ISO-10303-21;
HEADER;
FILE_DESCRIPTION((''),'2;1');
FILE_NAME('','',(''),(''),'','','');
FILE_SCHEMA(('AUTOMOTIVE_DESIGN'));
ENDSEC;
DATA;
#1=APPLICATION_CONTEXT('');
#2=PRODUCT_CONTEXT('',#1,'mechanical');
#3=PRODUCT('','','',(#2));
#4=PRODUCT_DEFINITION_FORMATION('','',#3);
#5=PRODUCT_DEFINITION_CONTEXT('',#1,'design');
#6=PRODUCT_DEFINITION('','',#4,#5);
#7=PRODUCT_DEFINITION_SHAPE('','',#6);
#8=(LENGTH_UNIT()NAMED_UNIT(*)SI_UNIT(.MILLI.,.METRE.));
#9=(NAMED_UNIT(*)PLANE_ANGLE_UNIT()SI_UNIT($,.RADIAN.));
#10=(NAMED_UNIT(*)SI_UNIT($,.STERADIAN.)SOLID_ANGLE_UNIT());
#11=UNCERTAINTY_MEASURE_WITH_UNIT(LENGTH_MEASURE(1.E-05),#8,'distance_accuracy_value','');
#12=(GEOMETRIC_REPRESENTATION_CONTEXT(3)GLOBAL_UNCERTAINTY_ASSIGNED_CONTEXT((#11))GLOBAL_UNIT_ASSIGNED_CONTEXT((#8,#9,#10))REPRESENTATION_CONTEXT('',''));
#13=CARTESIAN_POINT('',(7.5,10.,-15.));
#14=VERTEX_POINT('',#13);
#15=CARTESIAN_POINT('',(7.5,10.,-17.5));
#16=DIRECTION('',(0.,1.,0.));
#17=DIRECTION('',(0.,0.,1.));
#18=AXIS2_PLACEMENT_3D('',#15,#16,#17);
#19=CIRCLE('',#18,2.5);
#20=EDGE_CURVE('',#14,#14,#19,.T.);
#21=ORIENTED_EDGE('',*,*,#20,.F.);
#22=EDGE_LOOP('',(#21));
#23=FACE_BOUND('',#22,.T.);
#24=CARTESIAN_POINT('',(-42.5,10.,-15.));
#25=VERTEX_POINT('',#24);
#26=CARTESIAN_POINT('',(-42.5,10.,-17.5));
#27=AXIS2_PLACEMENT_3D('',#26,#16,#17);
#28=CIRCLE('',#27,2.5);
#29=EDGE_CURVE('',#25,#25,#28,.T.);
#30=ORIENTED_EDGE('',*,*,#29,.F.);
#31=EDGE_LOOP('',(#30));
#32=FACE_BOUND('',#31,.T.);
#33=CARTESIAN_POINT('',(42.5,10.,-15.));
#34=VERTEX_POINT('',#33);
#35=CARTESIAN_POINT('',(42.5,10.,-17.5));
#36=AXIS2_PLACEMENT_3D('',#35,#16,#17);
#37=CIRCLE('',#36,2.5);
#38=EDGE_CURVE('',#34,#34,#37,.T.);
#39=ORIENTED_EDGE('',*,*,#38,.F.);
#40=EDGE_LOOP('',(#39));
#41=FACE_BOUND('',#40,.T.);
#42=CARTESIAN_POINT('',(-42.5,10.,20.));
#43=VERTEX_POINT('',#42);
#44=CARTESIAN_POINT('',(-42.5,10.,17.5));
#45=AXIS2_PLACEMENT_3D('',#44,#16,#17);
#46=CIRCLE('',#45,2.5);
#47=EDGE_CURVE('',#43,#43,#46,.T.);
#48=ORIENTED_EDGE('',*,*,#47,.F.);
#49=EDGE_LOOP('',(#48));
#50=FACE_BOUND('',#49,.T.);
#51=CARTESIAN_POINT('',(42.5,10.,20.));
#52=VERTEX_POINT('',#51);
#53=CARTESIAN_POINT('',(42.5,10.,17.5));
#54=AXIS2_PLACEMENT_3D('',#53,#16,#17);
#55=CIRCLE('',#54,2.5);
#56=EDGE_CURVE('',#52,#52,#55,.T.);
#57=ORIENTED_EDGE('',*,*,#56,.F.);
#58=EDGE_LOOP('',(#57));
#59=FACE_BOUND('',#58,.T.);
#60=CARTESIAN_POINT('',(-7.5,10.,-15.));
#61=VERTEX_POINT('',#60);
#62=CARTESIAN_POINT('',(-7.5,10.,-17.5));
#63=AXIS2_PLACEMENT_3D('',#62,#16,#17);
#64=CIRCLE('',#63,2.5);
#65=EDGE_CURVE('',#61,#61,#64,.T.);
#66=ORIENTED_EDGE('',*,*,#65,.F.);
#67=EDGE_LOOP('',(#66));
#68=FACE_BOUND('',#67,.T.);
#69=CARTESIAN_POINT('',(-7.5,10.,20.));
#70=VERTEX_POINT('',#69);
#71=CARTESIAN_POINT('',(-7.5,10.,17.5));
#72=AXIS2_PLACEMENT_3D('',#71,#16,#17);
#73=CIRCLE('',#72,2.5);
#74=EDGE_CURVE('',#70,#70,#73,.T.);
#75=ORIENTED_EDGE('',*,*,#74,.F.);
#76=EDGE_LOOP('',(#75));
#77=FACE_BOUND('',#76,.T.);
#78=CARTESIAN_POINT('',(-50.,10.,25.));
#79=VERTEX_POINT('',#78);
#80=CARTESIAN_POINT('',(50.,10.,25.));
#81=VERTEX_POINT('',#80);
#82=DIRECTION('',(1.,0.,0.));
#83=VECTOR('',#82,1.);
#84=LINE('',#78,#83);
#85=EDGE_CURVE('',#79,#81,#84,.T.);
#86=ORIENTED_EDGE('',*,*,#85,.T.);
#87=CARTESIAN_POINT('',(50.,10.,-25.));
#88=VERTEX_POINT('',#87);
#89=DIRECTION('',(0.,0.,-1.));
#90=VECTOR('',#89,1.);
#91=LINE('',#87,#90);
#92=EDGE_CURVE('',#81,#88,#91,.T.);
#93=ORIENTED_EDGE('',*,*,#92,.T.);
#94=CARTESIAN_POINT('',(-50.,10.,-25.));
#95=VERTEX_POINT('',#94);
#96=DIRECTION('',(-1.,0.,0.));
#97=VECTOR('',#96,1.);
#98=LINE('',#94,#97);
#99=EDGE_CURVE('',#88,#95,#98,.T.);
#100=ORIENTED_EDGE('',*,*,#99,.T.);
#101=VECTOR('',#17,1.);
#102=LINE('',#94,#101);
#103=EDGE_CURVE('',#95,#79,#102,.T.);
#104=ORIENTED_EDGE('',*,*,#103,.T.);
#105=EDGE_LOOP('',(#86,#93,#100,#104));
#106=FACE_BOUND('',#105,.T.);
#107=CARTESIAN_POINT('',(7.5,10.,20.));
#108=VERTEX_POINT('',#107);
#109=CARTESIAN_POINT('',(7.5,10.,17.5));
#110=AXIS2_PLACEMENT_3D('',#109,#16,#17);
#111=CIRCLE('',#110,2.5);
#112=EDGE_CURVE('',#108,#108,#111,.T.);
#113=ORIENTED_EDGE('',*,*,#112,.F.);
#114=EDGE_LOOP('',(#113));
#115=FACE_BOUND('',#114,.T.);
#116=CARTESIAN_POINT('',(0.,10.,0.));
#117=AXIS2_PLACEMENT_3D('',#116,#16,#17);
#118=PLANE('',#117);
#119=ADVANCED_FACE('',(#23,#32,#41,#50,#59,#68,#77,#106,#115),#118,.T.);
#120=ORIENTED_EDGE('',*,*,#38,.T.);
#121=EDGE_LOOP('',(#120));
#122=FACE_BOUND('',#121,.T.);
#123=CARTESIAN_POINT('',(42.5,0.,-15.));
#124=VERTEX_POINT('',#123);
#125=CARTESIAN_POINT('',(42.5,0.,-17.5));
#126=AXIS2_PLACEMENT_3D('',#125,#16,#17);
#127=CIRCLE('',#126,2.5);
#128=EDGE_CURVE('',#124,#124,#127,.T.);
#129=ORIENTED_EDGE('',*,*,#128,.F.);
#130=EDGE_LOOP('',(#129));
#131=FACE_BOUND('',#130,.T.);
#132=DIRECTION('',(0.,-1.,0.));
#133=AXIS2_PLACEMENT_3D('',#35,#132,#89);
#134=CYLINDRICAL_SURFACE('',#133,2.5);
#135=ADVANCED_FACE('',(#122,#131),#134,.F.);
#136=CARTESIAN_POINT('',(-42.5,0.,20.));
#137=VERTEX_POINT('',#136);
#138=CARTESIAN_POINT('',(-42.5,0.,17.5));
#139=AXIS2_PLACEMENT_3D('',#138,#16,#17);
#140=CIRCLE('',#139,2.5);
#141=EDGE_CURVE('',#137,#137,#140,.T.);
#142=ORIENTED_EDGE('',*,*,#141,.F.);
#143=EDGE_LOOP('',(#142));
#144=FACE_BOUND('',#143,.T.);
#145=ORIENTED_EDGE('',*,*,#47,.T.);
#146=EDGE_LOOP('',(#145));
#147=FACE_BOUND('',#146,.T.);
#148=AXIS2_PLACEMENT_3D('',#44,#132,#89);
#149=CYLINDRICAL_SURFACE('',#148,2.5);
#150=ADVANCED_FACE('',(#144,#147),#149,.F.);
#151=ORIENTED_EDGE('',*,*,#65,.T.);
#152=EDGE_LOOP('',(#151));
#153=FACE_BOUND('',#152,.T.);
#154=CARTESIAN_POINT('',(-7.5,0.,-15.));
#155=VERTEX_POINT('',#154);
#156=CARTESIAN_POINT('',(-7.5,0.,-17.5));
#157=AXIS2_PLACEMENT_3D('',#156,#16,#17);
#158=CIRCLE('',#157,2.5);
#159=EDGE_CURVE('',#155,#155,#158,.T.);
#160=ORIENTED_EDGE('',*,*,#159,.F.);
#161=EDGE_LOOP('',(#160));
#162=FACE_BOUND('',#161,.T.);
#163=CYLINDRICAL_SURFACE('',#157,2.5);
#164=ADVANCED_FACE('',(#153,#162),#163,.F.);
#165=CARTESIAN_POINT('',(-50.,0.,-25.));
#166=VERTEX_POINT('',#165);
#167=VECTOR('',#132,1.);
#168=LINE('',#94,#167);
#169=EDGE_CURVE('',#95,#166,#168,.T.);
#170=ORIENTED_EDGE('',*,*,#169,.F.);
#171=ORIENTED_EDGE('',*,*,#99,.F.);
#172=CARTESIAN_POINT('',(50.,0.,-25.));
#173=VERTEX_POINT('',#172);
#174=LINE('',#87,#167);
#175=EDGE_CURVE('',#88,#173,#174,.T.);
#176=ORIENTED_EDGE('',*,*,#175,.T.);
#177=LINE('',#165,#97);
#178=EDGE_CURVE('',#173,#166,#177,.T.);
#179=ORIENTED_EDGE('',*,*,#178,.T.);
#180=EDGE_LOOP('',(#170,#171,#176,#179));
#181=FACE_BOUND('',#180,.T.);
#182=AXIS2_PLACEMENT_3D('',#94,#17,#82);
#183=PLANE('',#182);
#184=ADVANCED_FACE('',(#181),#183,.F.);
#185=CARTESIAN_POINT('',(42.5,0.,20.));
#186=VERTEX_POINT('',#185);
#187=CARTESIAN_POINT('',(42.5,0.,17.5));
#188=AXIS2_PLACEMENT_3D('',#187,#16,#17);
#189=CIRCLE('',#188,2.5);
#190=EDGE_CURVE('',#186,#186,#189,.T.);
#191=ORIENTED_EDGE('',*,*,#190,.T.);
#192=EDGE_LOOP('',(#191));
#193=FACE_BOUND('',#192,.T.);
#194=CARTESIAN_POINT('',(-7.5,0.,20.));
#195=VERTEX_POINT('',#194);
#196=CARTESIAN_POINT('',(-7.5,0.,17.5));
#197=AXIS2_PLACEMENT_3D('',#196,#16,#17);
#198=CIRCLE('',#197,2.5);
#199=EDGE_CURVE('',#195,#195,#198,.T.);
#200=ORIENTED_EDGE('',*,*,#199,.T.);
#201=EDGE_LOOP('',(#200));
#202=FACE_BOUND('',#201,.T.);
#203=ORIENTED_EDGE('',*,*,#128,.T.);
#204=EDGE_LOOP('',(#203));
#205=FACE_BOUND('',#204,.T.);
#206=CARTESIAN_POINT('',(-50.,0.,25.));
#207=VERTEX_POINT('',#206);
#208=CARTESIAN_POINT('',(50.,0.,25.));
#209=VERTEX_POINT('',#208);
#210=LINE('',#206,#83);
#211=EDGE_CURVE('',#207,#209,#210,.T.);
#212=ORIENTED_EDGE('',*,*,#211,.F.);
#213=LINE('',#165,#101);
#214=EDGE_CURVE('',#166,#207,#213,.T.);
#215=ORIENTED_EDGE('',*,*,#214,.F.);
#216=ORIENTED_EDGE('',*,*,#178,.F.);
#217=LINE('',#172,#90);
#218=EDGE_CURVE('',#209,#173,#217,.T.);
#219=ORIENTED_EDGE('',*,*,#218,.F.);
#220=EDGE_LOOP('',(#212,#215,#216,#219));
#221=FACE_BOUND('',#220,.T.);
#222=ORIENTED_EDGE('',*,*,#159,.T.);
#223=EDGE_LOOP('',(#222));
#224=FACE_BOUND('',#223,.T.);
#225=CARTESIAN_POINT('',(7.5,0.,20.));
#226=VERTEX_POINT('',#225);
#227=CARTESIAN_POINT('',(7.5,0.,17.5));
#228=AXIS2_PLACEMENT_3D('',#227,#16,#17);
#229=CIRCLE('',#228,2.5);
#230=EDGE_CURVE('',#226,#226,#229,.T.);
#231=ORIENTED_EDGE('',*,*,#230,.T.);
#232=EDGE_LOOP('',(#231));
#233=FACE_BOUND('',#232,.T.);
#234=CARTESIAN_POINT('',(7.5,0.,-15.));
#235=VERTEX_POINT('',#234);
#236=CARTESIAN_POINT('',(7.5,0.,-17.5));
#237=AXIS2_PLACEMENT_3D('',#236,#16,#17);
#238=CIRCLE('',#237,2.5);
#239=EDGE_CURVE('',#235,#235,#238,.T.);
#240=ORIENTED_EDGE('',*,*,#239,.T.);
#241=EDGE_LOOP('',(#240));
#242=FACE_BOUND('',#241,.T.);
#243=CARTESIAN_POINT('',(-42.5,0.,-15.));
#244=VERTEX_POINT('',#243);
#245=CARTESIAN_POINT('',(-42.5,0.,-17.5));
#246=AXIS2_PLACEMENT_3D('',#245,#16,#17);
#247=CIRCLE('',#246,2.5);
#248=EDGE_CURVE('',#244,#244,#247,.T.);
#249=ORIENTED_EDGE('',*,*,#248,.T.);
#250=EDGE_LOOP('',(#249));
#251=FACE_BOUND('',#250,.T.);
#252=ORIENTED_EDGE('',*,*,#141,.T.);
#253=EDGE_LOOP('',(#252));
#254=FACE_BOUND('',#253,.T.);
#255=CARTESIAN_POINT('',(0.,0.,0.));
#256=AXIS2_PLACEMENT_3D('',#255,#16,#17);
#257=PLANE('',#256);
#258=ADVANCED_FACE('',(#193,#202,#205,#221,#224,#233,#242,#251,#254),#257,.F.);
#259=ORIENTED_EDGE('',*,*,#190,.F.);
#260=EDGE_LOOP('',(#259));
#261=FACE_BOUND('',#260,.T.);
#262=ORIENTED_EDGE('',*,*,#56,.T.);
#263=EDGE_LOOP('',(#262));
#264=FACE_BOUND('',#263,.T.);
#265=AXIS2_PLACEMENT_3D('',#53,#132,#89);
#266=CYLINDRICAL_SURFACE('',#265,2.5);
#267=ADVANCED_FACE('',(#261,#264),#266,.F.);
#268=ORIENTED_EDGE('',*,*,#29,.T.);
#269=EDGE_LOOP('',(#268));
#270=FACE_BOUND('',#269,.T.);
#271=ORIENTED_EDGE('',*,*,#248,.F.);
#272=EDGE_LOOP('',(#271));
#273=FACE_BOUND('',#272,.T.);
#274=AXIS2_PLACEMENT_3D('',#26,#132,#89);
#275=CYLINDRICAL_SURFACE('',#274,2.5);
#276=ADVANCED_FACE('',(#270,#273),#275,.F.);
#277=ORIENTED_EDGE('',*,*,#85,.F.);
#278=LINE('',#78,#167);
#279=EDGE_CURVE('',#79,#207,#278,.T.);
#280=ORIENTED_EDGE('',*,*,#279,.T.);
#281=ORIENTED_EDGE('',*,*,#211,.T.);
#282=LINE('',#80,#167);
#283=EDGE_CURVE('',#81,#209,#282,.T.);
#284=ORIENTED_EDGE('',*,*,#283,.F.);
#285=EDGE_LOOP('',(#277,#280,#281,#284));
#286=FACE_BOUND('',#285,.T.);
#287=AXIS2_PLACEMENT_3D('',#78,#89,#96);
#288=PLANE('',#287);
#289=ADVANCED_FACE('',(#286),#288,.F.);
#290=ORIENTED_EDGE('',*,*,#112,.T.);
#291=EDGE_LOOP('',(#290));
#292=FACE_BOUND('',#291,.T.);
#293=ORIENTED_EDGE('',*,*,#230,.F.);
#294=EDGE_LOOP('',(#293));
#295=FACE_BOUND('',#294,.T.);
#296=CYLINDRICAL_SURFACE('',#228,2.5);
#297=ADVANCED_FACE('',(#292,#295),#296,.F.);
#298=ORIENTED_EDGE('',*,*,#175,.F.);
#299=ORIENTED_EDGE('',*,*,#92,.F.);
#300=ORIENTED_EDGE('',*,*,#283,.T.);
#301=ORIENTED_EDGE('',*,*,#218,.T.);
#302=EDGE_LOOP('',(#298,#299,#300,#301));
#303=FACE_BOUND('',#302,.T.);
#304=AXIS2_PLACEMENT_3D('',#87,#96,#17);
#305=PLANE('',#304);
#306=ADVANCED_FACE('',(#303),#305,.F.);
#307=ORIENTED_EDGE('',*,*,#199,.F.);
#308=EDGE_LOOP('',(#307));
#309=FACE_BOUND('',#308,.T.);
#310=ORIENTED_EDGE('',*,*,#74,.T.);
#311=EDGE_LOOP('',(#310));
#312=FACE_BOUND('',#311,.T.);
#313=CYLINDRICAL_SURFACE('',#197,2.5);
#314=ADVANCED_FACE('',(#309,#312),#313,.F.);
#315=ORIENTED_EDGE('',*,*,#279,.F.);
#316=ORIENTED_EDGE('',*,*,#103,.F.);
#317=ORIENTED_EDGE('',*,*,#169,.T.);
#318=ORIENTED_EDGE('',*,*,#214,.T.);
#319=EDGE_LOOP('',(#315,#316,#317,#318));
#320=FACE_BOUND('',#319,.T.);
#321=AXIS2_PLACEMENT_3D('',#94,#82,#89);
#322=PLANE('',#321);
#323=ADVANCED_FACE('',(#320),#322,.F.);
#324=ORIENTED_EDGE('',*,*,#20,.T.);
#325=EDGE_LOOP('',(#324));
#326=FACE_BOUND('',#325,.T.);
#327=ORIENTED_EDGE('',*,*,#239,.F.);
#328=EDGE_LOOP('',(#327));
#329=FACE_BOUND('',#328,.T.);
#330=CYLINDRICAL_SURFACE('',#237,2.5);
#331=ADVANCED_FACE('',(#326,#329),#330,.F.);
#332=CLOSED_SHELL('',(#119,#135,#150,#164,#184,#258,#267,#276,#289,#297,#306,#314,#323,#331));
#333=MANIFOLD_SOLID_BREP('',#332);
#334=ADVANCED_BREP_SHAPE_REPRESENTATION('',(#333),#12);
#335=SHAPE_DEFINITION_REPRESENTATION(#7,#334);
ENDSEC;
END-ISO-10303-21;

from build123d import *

# Parameters (mm, degrees)
SKETCH1_W           = 100
SKETCH1_H           = 50
SKETCH1_R           = 2.5
BOSS_EXTRUDE1_DEPTH = 10
SKETCH3_R           = 2.5
CUT_EXTRUDE1_DEPTH  = 10


with BuildPart() as part:
    # Sketch1 → Boss-Extrude1 (new body)
    with BuildSketch(Plane(origin=(0, 0, 0), x_dir=(1, 0, 0), z_dir=(0, 1, 0))):
        Rectangle(SKETCH1_W, SKETCH1_H)
        with Locations((-42.5, 17.5)):
            Circle(SKETCH1_R, mode=Mode.SUBTRACT)
        with Locations((42.5, 17.5)):
            Circle(SKETCH1_R, mode=Mode.SUBTRACT)
        with Locations((42.5, -17.5)):
            Circle(SKETCH1_R, mode=Mode.SUBTRACT)
        with Locations((-42.5, -17.5)):
            Circle(SKETCH1_R, mode=Mode.SUBTRACT)
    extrude(amount=BOSS_EXTRUDE1_DEPTH)

    # Sketch3 → Cut-Extrude1 (cut)
    with BuildSketch(Plane(origin=(0, 10, 0), x_dir=(1, 0, 0), z_dir=(0, 1, 0))):
        with Locations((-7.5, 17.5)):
            Circle(SKETCH3_R)
        with Locations((7.5, 17.5)):
            Circle(SKETCH3_R)
        with Locations((7.5, -17.5)):
            Circle(SKETCH3_R)
        with Locations((-7.5, -17.5)):
            Circle(SKETCH3_R)
    extrude(amount=-CUT_EXTRUDE1_DEPTH, mode=Mode.SUBTRACT)


solid = part.part
